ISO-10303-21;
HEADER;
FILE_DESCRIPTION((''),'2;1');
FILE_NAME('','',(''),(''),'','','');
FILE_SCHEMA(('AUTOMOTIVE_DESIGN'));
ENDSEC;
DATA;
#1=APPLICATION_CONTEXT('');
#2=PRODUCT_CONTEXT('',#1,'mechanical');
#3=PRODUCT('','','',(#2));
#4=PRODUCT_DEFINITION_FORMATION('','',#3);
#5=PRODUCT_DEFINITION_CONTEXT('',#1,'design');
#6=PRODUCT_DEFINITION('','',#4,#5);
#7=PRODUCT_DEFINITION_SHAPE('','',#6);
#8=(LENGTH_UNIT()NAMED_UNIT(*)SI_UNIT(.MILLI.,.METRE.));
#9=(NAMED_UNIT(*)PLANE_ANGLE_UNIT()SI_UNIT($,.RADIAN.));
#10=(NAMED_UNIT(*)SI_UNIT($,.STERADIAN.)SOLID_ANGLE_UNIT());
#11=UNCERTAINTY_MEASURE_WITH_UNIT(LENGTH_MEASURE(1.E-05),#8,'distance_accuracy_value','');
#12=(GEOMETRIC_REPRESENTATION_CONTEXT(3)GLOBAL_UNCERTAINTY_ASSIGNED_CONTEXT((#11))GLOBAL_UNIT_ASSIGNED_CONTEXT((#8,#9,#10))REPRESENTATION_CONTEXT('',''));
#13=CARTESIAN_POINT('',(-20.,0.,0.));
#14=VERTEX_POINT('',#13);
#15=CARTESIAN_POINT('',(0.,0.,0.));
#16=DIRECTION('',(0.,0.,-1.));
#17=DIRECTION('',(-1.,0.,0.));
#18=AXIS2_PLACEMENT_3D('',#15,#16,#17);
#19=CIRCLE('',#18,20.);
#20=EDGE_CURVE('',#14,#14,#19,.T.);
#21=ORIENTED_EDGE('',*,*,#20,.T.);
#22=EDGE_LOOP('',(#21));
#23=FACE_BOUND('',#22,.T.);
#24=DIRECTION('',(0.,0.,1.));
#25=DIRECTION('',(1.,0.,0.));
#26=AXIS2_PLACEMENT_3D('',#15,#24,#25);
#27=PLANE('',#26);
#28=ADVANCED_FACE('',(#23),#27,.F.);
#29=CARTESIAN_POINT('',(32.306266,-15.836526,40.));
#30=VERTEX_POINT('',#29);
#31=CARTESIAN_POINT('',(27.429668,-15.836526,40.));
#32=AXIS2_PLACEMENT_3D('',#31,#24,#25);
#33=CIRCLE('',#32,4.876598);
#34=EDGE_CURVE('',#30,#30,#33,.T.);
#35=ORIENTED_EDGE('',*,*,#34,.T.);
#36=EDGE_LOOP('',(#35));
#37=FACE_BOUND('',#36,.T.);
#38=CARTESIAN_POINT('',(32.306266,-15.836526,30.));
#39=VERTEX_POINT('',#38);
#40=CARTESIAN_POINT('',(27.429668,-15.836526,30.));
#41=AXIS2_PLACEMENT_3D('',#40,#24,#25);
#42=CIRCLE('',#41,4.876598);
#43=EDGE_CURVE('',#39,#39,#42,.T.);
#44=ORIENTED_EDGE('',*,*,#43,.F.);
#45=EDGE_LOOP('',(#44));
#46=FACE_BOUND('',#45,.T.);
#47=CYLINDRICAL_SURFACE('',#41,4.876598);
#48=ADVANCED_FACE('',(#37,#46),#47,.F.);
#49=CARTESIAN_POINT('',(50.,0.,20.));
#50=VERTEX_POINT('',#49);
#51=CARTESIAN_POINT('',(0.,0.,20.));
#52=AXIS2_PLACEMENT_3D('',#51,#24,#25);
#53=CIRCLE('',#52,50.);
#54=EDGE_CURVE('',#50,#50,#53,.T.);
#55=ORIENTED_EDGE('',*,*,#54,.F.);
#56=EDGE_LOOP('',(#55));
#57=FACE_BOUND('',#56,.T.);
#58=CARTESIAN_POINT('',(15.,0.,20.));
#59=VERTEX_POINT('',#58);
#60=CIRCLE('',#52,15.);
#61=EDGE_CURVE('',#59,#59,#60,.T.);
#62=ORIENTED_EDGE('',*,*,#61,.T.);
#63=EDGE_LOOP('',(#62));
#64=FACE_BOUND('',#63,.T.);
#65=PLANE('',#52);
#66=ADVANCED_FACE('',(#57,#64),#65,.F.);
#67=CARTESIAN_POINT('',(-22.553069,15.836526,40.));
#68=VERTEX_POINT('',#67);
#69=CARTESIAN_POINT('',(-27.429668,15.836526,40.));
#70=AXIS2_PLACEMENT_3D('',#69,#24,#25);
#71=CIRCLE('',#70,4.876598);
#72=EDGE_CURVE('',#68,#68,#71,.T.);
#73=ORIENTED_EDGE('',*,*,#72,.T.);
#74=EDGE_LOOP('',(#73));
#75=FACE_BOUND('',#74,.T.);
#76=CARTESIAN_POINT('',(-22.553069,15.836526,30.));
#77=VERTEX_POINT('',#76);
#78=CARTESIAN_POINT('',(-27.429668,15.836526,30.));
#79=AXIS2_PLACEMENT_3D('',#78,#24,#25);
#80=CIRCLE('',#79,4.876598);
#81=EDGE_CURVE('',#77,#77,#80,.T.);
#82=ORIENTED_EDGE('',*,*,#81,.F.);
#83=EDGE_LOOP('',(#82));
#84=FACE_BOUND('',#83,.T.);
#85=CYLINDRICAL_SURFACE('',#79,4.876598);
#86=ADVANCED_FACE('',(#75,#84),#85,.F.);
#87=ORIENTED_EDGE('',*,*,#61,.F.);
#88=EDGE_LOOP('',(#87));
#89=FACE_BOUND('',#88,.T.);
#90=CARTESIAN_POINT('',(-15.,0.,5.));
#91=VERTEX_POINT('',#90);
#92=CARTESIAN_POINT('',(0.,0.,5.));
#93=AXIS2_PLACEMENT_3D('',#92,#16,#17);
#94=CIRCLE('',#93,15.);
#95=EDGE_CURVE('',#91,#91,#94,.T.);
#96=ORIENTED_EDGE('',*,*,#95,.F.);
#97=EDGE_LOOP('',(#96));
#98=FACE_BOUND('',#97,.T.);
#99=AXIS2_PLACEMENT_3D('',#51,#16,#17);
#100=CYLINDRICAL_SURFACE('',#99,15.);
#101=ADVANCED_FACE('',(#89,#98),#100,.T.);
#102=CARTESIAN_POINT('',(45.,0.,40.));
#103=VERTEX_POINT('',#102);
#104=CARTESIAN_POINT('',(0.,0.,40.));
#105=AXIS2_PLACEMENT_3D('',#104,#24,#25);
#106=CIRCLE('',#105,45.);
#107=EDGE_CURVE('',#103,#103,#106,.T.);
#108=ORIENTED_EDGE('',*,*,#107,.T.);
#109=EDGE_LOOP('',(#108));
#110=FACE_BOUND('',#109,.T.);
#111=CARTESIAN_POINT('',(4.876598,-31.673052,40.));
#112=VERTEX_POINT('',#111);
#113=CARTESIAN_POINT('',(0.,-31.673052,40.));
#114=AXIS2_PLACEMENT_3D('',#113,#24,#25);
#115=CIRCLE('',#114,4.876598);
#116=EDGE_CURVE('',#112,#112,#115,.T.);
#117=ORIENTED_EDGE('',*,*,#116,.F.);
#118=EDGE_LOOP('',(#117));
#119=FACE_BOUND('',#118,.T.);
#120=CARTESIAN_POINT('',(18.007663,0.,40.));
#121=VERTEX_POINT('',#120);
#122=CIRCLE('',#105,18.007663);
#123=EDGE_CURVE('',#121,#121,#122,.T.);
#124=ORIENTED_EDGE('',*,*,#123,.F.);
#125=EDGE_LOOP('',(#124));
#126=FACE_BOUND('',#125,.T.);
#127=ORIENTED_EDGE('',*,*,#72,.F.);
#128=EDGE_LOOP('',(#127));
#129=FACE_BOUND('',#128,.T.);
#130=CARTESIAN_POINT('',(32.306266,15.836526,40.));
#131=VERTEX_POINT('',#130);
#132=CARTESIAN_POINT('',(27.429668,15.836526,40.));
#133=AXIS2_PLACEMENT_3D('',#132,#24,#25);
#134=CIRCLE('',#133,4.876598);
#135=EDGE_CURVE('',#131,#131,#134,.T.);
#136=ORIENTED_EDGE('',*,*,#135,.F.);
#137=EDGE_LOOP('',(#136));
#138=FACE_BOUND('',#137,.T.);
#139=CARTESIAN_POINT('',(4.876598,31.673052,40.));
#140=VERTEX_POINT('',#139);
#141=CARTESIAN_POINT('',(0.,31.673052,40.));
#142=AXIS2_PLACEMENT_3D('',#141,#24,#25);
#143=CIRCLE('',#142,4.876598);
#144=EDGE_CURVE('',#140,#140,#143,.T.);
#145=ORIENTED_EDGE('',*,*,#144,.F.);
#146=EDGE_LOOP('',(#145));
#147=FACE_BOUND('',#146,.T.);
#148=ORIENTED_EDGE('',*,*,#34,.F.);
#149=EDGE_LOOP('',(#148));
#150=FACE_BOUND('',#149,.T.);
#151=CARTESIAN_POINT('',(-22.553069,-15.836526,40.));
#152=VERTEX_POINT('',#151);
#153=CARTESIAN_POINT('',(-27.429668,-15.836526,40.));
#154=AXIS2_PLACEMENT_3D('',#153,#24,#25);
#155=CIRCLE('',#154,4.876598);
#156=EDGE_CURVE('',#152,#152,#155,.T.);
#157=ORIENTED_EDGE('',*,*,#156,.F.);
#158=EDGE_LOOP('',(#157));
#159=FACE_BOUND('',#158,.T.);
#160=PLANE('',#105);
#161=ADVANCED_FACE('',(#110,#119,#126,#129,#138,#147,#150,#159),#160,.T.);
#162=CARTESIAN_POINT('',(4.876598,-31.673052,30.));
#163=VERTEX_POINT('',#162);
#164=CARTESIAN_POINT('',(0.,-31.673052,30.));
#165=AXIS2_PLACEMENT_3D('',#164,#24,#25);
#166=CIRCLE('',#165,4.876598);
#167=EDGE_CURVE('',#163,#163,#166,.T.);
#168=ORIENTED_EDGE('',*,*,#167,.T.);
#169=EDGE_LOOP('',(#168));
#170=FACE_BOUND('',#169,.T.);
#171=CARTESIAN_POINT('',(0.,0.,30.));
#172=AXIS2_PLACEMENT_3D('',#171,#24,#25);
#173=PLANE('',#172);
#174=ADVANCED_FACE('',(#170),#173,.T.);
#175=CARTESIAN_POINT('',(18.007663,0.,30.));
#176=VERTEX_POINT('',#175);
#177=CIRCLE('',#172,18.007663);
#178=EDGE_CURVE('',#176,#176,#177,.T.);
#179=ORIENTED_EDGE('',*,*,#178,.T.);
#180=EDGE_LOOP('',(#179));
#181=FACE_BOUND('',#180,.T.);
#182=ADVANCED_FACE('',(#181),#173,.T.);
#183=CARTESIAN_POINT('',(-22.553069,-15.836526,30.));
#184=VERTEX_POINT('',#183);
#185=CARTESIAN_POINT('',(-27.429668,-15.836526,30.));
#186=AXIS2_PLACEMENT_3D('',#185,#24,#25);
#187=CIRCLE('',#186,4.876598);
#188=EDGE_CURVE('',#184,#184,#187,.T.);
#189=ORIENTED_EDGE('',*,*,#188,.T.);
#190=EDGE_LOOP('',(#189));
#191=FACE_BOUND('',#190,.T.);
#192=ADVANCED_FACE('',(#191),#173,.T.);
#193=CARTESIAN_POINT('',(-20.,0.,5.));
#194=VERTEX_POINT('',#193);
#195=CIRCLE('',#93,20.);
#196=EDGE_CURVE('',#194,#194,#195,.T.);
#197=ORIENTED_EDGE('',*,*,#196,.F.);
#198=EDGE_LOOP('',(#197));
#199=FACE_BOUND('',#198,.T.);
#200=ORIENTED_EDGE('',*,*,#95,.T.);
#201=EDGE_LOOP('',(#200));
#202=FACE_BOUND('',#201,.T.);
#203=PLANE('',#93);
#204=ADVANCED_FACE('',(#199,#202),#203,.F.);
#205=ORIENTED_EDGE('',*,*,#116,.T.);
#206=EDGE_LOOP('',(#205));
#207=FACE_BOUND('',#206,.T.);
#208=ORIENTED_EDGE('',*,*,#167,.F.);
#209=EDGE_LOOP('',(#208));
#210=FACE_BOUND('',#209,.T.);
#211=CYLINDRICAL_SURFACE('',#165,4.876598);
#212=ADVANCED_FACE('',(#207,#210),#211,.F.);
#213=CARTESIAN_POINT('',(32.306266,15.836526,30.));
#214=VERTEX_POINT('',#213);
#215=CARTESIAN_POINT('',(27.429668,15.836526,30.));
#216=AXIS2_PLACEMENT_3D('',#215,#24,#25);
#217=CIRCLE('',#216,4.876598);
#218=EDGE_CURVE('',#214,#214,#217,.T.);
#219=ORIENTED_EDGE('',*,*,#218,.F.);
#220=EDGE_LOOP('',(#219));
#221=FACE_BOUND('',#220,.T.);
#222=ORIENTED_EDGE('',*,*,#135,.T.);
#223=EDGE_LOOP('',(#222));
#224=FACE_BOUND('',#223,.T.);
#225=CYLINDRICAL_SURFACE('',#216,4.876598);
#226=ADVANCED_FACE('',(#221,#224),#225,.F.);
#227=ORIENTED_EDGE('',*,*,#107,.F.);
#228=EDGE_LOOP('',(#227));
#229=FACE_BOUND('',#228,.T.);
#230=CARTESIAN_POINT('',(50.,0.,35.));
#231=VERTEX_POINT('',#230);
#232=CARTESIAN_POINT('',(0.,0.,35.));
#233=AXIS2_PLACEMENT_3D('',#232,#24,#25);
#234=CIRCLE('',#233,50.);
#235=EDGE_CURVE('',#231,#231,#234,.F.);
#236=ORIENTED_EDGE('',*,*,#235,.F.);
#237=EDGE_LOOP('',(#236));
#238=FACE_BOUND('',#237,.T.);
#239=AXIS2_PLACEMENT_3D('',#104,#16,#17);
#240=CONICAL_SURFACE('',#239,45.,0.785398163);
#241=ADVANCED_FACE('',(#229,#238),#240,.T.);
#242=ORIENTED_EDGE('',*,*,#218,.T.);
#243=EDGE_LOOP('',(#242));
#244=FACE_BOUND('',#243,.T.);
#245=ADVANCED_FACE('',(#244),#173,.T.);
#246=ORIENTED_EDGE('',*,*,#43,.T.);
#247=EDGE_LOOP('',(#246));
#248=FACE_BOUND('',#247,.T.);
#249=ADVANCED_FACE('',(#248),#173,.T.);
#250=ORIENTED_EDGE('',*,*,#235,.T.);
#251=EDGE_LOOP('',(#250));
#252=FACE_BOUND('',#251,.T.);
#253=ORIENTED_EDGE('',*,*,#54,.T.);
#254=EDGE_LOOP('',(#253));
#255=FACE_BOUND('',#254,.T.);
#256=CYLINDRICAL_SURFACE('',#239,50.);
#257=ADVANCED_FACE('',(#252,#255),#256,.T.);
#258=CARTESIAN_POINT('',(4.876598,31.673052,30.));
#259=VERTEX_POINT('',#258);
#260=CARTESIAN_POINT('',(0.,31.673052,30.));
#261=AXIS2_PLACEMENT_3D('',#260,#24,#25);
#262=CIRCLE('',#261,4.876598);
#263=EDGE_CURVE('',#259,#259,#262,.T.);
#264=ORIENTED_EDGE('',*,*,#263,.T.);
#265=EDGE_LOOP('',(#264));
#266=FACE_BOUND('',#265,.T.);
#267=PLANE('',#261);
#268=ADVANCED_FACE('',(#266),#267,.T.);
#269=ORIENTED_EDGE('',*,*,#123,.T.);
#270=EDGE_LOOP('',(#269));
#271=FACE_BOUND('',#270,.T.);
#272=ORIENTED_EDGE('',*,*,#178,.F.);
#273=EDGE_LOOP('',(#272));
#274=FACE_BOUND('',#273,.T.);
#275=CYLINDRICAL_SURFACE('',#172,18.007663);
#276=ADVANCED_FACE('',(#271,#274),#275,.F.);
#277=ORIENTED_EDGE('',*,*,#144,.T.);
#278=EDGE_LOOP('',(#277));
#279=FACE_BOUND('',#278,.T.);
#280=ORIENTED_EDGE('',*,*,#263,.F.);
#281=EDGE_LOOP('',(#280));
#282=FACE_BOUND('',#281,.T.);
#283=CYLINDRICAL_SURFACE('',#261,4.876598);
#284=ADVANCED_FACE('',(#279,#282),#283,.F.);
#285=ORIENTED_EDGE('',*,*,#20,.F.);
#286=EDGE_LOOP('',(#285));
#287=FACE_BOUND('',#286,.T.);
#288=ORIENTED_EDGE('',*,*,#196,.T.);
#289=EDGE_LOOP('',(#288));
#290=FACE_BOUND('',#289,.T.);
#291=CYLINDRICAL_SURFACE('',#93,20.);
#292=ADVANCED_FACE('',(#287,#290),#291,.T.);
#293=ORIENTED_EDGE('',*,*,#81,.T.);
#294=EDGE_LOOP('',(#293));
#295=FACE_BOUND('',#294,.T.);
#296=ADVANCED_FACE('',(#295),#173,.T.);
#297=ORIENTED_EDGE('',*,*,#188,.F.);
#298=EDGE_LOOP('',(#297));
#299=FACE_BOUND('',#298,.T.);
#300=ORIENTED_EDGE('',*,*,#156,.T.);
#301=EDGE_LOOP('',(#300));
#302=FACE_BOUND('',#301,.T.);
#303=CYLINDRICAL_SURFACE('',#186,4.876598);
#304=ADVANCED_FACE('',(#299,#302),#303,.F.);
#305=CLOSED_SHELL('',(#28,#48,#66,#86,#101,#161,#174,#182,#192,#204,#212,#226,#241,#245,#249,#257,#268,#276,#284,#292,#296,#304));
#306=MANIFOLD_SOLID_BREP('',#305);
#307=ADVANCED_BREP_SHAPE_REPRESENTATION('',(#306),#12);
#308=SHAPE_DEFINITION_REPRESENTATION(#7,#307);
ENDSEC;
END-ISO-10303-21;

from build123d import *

# Parameters (mm, degrees)
SKETCH1_R           = 15
BOSS_EXTRUDE1_DEPTH = 20
SKETCH3_R           = 50
BOSS_EXTRUDE2_DEPTH = 20
CHAMFER1_SIZE       = 5
SKETCH4_R           = 4.876598491
SKETCH4_R_2         = 18.007662835
CUT_EXTRUDE1_DEPTH  = 10
SKETCH5_R           = 20
BOSS_EXTRUDE3_DEPTH = 5


with BuildPart() as part:
    # Sketch1 → Boss-Extrude1 (new body)
    with BuildSketch(Plane.XY):
        Circle(SKETCH1_R)
    extrude(amount=BOSS_EXTRUDE1_DEPTH)

    # Sketch3 → Boss-Extrude2 (add)
    with BuildSketch(Plane.XY.offset(20)):
        Circle(SKETCH3_R)
    extrude(amount=BOSS_EXTRUDE2_DEPTH)

    # Chamfer1
    chamfer1_edges = [part.edges().sort_by_distance(p)[0] for p in [
        (-50, 0, 40),
    ]]
    chamfer(chamfer1_edges, length=CHAMFER1_SIZE)

    # Sketch4 → Cut-Extrude1 (cut)
    with BuildSketch(Plane.XY.offset(40)):
        with Locations((27.429667962, 15.836526181)):
            Circle(SKETCH4_R)
        Circle(SKETCH4_R_2)
        with Locations((27.429667962, -15.836526181)):
            Circle(SKETCH4_R)
        with Locations((0, -31.673052363)):
            Circle(SKETCH4_R)
        with Locations((-27.429667961, -15.836526181)):
            Circle(SKETCH4_R)
        with Locations((-27.429667961, 15.836526181)):
            Circle(SKETCH4_R)
        with Locations((0, 31.673052363)):
            Circle(SKETCH4_R)
    extrude(amount=-CUT_EXTRUDE1_DEPTH, mode=Mode.SUBTRACT)

    # Sketch5 → Boss-Extrude3 (add)
    with BuildSketch(Plane(origin=(0, 0, 0), x_dir=(-1, 0, 0), z_dir=(0, 0, -1))):
        Circle(SKETCH5_R)
    extrude(amount=-BOSS_EXTRUDE3_DEPTH)


solid = part.part
